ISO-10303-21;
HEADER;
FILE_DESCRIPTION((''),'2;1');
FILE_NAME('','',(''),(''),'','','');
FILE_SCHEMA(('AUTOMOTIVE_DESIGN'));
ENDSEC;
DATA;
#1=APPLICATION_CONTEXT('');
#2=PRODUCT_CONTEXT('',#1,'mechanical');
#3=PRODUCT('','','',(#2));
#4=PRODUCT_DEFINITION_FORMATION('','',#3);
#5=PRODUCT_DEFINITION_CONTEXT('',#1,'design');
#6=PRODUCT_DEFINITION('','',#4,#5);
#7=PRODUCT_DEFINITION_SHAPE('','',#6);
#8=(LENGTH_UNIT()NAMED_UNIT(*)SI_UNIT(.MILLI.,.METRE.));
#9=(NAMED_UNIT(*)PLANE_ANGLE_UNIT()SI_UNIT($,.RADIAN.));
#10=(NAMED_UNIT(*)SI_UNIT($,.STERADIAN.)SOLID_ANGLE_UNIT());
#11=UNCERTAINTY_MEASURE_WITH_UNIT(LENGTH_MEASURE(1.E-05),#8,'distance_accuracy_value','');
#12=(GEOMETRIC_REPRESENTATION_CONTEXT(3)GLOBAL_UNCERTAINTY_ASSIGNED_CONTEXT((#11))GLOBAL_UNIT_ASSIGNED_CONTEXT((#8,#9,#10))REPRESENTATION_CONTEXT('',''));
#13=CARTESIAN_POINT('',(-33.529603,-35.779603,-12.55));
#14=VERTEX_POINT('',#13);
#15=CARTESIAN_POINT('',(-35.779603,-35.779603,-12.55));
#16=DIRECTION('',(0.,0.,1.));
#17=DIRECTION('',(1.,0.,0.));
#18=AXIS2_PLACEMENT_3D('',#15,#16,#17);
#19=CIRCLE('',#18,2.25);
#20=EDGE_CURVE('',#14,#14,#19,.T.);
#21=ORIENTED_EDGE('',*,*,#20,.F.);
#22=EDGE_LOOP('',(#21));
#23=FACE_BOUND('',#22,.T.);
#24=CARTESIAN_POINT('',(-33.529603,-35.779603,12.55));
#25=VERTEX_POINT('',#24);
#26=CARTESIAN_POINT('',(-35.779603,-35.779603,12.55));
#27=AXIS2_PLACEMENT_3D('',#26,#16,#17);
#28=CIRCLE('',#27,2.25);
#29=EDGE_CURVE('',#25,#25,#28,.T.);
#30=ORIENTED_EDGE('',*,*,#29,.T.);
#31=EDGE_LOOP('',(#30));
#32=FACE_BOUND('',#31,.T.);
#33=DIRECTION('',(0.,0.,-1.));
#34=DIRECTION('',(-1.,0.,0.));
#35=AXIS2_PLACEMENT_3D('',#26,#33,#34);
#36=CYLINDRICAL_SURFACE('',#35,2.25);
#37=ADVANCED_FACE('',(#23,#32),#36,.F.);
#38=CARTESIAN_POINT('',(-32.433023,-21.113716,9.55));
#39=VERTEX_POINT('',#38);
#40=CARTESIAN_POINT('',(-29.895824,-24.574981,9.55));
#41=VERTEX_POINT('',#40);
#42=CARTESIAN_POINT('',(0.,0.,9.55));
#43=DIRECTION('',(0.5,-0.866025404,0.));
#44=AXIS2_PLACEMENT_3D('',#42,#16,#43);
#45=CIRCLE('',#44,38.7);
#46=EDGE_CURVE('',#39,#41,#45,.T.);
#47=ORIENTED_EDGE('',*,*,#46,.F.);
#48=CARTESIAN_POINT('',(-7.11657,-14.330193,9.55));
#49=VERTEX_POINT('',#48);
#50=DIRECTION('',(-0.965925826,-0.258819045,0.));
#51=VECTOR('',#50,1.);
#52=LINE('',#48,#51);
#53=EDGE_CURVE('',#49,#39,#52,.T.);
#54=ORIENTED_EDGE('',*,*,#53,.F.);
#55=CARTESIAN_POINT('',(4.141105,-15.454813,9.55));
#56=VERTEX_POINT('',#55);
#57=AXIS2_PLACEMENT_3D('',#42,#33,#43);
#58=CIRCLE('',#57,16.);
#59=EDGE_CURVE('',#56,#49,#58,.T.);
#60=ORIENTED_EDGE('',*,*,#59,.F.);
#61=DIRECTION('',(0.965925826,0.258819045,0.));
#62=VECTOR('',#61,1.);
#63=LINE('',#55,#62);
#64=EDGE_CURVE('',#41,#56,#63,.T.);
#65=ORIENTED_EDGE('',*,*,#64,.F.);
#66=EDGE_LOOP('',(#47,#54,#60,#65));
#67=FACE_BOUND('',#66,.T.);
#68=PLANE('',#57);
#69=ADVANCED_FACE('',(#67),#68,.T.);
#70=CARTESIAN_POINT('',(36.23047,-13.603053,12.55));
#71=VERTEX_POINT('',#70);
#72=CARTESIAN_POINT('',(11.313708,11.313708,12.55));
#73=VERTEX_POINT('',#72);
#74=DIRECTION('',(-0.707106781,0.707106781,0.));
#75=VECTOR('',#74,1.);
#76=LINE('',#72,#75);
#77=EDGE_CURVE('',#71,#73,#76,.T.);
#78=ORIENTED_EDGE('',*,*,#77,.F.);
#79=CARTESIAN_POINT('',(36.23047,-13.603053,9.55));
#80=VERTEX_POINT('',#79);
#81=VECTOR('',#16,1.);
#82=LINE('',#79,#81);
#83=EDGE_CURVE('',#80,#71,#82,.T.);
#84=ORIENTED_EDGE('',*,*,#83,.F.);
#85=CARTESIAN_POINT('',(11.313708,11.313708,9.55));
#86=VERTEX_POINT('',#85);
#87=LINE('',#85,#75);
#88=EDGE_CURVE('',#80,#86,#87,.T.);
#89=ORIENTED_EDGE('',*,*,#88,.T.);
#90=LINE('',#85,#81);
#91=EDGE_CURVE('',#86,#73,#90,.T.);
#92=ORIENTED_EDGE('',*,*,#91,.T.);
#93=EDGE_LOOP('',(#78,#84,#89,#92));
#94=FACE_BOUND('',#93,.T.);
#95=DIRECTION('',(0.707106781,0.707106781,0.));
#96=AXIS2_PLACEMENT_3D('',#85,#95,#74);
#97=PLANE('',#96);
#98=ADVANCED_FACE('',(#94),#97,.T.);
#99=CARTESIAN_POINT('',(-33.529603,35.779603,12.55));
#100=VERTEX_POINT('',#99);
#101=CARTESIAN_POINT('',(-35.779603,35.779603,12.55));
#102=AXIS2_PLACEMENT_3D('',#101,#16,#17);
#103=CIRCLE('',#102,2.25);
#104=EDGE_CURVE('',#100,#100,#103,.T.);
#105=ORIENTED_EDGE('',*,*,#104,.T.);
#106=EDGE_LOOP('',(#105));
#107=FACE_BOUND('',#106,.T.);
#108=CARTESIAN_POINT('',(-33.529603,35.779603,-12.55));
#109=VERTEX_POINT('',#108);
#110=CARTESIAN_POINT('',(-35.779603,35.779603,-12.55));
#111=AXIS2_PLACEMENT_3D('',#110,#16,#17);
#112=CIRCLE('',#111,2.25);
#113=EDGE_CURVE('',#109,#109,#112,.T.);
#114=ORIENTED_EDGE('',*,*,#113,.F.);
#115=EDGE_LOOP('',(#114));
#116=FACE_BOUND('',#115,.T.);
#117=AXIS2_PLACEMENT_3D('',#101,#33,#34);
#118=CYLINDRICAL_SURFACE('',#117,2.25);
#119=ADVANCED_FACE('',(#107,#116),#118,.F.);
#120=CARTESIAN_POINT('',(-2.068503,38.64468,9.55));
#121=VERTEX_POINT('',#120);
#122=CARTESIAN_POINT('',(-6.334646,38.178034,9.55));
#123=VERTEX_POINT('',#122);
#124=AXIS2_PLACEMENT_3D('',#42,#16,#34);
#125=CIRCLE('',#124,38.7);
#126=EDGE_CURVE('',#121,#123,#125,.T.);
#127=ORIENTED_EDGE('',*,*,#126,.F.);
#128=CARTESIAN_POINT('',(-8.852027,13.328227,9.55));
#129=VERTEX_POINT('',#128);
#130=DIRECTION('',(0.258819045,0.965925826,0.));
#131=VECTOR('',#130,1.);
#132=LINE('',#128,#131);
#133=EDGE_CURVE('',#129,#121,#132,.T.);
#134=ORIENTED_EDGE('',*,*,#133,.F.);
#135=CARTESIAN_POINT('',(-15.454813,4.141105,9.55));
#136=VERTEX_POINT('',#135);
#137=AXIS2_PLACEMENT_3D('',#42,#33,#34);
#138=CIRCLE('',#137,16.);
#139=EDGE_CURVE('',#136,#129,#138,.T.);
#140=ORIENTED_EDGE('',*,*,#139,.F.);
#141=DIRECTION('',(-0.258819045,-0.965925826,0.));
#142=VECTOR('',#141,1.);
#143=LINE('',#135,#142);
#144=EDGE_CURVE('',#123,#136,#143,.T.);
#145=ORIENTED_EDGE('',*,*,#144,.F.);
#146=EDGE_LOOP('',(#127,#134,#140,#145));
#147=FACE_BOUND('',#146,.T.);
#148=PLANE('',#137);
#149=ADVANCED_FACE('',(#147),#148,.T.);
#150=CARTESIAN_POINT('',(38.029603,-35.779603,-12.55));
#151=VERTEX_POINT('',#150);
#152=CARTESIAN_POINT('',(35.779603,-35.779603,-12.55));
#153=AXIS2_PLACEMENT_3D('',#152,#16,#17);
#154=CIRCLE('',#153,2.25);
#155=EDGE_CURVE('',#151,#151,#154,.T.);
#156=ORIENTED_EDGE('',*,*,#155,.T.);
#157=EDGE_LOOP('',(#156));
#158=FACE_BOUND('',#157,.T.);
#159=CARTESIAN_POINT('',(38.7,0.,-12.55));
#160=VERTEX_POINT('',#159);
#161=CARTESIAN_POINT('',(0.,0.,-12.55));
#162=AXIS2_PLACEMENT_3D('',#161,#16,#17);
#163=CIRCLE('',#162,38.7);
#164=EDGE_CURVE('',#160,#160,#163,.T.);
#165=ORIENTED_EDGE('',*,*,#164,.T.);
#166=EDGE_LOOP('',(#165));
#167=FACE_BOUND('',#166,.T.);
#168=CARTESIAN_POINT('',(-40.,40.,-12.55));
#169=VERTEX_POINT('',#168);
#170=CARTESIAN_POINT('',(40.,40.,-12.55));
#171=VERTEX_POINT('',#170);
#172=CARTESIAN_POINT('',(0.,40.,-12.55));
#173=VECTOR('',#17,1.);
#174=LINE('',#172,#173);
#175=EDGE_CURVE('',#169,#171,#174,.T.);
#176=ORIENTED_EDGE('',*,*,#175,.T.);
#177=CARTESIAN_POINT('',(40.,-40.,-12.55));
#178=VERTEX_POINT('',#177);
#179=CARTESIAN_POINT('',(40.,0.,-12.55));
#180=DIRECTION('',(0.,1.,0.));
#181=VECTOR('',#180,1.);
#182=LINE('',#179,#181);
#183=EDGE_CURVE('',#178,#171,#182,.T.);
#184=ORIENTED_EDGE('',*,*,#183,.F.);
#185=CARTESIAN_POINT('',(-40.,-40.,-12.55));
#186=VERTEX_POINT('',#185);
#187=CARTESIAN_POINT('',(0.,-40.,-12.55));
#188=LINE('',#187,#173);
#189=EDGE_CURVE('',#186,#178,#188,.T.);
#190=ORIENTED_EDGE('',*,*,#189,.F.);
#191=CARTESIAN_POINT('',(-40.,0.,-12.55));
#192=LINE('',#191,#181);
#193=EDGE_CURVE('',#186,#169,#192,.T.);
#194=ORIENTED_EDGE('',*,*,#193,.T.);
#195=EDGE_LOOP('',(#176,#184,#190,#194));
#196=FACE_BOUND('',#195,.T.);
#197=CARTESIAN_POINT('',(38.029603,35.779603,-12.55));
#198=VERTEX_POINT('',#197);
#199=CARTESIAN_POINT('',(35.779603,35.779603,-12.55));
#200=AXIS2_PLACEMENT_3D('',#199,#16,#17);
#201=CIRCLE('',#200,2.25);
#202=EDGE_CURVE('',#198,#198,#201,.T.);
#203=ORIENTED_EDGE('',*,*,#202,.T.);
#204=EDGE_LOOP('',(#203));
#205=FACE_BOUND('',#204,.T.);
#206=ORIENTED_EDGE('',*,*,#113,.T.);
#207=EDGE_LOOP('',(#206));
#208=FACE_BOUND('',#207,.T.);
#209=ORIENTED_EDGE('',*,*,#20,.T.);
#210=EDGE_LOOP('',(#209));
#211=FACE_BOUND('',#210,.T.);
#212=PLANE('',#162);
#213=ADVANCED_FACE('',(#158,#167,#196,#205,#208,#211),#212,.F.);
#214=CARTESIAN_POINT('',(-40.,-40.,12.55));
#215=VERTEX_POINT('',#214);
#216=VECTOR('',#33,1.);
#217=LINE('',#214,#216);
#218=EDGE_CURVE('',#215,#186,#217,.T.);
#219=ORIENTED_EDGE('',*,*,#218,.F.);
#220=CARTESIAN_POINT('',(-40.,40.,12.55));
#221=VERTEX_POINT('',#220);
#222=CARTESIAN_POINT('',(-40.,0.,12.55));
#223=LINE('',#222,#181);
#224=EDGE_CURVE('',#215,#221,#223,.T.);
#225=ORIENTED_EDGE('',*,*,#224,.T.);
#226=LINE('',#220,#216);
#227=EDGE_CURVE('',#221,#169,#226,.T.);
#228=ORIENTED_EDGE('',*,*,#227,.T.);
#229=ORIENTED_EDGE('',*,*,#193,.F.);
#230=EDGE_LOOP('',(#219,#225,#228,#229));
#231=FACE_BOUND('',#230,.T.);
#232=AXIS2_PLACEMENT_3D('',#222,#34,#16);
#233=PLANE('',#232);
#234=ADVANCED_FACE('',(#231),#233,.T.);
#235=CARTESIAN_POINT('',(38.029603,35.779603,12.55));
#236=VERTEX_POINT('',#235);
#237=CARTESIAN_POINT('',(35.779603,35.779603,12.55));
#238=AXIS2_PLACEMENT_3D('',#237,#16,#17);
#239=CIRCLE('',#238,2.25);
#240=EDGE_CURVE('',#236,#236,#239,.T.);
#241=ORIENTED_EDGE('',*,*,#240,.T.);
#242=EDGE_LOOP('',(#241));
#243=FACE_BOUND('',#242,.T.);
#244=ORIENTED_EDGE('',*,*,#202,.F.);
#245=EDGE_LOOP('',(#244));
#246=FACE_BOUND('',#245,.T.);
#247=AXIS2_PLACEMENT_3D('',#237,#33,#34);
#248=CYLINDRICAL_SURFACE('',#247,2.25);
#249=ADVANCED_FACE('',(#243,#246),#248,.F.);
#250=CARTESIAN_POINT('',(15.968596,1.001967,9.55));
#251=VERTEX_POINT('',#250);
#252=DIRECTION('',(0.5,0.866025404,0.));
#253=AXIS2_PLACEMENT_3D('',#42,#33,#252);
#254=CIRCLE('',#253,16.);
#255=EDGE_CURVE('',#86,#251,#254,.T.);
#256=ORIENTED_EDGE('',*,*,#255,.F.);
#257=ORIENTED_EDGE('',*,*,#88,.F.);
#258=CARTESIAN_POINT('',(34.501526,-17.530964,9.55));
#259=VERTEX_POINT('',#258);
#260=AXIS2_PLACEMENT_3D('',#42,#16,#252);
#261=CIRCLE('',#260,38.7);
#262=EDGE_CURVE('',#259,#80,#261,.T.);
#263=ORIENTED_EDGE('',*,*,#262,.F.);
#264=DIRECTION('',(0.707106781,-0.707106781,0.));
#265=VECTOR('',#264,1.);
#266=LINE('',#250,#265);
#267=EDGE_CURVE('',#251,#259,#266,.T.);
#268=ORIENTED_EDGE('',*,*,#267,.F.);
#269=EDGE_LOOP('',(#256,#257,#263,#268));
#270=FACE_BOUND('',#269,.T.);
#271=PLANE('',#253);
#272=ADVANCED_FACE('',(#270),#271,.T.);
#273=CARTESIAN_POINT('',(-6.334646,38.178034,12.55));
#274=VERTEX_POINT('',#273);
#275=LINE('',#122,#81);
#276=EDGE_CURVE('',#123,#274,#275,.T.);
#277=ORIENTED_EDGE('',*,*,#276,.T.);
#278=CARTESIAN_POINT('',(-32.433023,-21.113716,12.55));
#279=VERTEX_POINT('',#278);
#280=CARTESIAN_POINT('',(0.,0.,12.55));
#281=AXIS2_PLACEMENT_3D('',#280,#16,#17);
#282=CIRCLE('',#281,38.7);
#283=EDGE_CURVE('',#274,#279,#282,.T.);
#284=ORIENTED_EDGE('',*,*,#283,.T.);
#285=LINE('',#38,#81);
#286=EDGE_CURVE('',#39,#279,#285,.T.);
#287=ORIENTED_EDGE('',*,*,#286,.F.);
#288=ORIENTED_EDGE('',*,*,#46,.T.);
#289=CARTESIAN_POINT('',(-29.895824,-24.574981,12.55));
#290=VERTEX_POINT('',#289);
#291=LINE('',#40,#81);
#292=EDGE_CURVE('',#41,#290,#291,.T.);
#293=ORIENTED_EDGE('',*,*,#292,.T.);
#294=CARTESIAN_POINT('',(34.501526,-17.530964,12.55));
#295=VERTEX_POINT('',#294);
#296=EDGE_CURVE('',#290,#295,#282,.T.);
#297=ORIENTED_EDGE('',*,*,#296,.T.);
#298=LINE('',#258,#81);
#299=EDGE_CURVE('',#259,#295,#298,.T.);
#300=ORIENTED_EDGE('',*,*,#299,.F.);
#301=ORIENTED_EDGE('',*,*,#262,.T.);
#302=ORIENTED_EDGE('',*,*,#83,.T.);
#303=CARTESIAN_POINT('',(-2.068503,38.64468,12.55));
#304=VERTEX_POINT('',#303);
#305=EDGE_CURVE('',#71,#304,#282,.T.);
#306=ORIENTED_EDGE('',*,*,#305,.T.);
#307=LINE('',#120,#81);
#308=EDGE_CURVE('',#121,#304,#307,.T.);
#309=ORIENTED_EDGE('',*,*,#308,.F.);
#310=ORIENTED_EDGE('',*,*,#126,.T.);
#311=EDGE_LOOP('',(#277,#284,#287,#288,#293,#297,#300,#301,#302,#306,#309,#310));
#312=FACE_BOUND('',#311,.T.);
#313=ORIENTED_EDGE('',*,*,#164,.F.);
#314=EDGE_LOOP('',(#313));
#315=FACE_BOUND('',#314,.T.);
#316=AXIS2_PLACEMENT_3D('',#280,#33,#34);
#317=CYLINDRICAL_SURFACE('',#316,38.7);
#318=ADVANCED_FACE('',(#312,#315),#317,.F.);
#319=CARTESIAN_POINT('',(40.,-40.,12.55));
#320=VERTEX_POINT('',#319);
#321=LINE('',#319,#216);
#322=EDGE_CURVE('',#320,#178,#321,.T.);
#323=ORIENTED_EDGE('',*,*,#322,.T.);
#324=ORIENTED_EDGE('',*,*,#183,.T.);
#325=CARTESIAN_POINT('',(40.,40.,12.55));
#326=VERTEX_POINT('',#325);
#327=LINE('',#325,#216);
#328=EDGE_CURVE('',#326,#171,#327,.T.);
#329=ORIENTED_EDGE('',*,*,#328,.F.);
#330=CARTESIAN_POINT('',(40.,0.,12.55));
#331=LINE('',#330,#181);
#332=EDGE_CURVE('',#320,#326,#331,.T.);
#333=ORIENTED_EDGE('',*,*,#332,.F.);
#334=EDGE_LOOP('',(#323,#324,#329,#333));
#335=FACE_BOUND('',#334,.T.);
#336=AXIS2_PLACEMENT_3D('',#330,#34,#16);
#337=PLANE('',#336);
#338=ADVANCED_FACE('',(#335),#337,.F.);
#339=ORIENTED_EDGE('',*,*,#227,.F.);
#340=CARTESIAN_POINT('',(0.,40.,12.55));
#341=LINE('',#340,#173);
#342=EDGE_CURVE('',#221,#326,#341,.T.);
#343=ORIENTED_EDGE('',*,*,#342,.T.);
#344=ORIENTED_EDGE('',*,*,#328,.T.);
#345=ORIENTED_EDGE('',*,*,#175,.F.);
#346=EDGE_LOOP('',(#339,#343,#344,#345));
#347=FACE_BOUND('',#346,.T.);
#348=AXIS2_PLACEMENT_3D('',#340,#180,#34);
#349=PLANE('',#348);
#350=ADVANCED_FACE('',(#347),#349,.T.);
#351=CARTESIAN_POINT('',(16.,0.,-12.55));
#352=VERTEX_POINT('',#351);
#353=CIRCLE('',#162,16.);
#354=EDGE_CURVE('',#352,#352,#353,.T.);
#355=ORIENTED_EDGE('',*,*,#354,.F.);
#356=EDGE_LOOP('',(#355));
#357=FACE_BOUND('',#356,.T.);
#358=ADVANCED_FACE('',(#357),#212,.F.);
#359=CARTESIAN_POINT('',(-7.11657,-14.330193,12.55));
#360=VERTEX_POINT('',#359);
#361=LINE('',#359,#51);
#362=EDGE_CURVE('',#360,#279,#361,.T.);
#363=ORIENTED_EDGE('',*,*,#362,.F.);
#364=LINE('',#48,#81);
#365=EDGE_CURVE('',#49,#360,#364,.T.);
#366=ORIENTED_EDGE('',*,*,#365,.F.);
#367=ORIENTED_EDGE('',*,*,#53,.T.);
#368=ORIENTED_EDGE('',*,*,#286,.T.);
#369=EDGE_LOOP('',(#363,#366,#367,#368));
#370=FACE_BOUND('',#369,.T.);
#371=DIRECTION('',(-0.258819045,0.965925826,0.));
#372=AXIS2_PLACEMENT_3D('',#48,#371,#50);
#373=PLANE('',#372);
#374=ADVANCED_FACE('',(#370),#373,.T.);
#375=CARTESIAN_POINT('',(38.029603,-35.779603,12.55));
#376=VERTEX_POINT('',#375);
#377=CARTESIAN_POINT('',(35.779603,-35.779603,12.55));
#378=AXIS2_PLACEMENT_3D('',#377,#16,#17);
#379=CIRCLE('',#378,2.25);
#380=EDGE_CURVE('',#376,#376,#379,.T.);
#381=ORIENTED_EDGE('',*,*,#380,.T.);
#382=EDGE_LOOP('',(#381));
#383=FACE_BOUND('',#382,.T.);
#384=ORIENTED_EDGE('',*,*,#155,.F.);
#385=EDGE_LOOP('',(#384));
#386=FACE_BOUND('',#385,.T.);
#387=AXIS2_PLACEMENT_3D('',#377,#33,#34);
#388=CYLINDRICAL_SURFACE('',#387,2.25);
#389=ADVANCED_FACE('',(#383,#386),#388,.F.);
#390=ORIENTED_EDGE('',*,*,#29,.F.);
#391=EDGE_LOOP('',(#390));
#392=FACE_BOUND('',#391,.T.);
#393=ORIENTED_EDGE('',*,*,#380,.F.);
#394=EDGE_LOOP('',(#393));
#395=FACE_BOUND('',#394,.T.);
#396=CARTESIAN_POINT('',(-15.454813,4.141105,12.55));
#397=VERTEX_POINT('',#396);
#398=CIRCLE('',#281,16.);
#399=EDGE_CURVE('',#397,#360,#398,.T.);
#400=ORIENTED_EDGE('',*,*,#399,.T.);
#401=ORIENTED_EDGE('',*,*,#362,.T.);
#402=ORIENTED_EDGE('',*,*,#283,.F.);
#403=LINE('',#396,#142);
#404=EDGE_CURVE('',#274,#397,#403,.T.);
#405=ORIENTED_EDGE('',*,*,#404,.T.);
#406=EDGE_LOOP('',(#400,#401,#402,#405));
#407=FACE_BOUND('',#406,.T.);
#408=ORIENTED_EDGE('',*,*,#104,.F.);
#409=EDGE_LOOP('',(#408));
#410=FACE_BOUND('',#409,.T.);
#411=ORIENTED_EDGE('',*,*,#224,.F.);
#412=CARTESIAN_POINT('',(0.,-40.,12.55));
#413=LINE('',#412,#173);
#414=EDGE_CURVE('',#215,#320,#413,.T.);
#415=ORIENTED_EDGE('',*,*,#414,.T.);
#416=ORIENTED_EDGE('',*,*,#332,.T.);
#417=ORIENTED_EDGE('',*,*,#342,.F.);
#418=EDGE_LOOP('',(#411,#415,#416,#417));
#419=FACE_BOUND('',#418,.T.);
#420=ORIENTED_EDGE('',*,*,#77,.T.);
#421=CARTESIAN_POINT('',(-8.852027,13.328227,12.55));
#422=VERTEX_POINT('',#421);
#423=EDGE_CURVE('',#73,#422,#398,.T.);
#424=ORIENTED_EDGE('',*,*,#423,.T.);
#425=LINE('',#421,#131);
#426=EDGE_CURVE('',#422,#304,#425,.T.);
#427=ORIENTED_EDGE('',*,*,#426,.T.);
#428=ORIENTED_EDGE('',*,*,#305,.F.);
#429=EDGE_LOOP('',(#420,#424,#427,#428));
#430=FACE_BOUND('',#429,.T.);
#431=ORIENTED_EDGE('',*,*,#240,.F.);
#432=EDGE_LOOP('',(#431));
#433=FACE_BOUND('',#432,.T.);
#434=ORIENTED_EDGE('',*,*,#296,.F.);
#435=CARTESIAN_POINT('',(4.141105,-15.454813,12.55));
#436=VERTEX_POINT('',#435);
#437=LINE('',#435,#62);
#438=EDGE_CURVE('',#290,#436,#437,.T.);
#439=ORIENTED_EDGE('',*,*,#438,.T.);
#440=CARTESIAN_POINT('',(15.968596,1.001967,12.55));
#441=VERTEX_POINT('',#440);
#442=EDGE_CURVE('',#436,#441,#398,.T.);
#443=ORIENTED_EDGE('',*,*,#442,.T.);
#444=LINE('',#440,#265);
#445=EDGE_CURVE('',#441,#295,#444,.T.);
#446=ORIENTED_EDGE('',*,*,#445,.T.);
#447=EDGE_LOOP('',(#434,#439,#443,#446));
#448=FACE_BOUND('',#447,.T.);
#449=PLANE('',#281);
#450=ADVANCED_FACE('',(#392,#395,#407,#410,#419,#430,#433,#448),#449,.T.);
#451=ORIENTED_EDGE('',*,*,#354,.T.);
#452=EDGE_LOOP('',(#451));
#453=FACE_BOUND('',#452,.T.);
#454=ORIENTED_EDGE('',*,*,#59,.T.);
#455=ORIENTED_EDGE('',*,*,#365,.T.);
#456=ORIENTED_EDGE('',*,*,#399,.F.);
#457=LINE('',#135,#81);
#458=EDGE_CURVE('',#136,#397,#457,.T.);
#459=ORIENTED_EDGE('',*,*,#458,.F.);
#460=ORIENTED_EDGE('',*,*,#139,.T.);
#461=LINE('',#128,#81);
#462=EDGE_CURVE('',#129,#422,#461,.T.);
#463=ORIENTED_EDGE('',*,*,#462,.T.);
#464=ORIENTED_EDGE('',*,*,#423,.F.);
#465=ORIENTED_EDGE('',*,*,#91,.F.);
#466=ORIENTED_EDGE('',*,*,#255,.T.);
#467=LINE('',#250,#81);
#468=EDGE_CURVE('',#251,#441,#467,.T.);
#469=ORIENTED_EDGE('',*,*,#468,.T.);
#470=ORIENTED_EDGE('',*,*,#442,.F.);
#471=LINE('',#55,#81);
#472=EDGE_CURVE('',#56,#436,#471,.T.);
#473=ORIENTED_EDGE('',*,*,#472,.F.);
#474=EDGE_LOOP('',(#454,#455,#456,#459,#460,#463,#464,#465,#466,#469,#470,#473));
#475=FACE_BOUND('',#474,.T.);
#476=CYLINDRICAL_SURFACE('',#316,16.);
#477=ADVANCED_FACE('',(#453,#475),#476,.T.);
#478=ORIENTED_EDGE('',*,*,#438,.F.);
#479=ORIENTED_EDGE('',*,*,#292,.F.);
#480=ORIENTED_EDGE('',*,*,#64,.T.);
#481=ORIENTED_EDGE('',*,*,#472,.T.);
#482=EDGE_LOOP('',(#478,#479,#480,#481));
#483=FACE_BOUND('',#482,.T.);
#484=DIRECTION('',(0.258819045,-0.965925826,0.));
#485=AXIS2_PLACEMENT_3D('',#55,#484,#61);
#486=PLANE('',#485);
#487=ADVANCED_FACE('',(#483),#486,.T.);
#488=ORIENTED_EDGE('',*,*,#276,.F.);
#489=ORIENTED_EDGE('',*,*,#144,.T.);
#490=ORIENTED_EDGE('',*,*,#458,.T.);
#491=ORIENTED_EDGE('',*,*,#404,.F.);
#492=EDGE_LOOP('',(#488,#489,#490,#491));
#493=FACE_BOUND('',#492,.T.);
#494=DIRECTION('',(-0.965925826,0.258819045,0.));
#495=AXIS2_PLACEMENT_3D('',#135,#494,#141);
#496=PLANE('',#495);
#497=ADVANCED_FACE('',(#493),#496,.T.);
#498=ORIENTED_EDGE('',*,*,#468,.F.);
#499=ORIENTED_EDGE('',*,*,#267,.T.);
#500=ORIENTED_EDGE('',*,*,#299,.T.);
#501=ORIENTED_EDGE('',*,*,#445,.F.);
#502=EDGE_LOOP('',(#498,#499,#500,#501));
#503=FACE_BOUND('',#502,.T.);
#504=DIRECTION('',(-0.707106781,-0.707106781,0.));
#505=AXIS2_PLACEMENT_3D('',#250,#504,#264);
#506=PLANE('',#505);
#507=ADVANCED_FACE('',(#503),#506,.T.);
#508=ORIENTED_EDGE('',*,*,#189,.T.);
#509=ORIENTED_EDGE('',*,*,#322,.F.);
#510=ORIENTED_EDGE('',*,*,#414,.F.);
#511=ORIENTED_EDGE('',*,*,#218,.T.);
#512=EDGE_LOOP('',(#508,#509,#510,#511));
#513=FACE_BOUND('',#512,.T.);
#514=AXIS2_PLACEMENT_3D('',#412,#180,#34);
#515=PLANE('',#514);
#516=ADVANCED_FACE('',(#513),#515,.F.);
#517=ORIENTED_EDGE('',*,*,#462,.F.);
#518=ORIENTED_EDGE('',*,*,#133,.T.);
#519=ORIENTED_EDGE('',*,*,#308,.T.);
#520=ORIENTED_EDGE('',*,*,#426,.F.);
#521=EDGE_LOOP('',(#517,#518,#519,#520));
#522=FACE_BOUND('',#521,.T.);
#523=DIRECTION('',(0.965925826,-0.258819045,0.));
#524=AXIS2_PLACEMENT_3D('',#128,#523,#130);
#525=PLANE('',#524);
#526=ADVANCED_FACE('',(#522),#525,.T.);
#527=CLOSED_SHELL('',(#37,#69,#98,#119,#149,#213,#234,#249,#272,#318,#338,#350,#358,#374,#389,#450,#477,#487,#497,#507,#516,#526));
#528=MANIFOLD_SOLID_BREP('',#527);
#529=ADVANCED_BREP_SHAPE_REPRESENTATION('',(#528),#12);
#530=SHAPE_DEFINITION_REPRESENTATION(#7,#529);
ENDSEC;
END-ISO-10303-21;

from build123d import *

# Parameters (mm, degrees)
SKETCH1_W             = 80
SKETCH1_H             = 80
SKETCH1_R             = 38.7
SKETCH1_R_2           = 2.25
BOSS_EXTRUDE1_DEPTH   = 12.55
SKETCH1_R_3           = 16
BOSS_EXTRUDE1_2_DEPTH = 12.55
BOSS_EXTRUDE2_START   = -3
BOSS_EXTRUDE2_DEPTH   = 3
CIRPATTERN1_COUNT     = 3


with BuildPart() as part:
    # Sketch1 → Boss-Extrude1 (new, symmetric)
    with BuildSketch(Plane.XY):
        Rectangle(SKETCH1_W, SKETCH1_H)
        Circle(SKETCH1_R, mode=Mode.SUBTRACT)
        with Locations((-35.779603128, -35.779603128)):
            Circle(SKETCH1_R_2, mode=Mode.SUBTRACT)
        with Locations((35.779603128, -35.779603128)):
            Circle(SKETCH1_R_2, mode=Mode.SUBTRACT)
        with Locations((35.779603128, 35.779603128)):
            Circle(SKETCH1_R_2, mode=Mode.SUBTRACT)
        with Locations((-35.779603128, 35.779603128)):
            Circle(SKETCH1_R_2, mode=Mode.SUBTRACT)
    extrude(amount=BOSS_EXTRUDE1_DEPTH, both=True)



with BuildPart() as body_2:
    # Sketch1 → Boss-Extrude1 2 (new, symmetric)
    with BuildSketch(Plane.XY):
        Circle(SKETCH1_R_3)
    extrude(amount=BOSS_EXTRUDE1_2_DEPTH, both=True)


with BuildPart() as part_1:
    add(part.part)

    add(body_2.part)  # Boss-Extrude2 merges body 2
    # Sketch2 → Boss-Extrude2 (add)
    with BuildSketch(Plane.XY.offset(12.55).offset(BOSS_EXTRUDE2_START)):
        with BuildLine():
            Line((-15.454813221, 4.141104722), (-6.334645558, 38.178033811))
            ThreePointArc((-6.334645558, 38.178033811), (-4.208047958, 38.470538499), (-2.068503362, 38.64468002))
            Line((-2.068503362, 38.64468002), (-8.852026604, 13.328226626))
            ThreePointArc((-8.852026604, 13.328226626), (-12.992552397, 9.337750383), (-15.454813221, 4.141104722))
        make_face()
    boss_extrude2 = extrude(amount=BOSS_EXTRUDE2_DEPTH)

    # CirPattern1: Boss-Extrude2 ×3 about axis
    cirpattern1_axis = Axis((0, 0, 0), (0, 0, 1))
    for i in range(1, CIRPATTERN1_COUNT):
        add(boss_extrude2.rotate(cirpattern1_axis, i * 360 / CIRPATTERN1_COUNT))


solid = part_1.part
